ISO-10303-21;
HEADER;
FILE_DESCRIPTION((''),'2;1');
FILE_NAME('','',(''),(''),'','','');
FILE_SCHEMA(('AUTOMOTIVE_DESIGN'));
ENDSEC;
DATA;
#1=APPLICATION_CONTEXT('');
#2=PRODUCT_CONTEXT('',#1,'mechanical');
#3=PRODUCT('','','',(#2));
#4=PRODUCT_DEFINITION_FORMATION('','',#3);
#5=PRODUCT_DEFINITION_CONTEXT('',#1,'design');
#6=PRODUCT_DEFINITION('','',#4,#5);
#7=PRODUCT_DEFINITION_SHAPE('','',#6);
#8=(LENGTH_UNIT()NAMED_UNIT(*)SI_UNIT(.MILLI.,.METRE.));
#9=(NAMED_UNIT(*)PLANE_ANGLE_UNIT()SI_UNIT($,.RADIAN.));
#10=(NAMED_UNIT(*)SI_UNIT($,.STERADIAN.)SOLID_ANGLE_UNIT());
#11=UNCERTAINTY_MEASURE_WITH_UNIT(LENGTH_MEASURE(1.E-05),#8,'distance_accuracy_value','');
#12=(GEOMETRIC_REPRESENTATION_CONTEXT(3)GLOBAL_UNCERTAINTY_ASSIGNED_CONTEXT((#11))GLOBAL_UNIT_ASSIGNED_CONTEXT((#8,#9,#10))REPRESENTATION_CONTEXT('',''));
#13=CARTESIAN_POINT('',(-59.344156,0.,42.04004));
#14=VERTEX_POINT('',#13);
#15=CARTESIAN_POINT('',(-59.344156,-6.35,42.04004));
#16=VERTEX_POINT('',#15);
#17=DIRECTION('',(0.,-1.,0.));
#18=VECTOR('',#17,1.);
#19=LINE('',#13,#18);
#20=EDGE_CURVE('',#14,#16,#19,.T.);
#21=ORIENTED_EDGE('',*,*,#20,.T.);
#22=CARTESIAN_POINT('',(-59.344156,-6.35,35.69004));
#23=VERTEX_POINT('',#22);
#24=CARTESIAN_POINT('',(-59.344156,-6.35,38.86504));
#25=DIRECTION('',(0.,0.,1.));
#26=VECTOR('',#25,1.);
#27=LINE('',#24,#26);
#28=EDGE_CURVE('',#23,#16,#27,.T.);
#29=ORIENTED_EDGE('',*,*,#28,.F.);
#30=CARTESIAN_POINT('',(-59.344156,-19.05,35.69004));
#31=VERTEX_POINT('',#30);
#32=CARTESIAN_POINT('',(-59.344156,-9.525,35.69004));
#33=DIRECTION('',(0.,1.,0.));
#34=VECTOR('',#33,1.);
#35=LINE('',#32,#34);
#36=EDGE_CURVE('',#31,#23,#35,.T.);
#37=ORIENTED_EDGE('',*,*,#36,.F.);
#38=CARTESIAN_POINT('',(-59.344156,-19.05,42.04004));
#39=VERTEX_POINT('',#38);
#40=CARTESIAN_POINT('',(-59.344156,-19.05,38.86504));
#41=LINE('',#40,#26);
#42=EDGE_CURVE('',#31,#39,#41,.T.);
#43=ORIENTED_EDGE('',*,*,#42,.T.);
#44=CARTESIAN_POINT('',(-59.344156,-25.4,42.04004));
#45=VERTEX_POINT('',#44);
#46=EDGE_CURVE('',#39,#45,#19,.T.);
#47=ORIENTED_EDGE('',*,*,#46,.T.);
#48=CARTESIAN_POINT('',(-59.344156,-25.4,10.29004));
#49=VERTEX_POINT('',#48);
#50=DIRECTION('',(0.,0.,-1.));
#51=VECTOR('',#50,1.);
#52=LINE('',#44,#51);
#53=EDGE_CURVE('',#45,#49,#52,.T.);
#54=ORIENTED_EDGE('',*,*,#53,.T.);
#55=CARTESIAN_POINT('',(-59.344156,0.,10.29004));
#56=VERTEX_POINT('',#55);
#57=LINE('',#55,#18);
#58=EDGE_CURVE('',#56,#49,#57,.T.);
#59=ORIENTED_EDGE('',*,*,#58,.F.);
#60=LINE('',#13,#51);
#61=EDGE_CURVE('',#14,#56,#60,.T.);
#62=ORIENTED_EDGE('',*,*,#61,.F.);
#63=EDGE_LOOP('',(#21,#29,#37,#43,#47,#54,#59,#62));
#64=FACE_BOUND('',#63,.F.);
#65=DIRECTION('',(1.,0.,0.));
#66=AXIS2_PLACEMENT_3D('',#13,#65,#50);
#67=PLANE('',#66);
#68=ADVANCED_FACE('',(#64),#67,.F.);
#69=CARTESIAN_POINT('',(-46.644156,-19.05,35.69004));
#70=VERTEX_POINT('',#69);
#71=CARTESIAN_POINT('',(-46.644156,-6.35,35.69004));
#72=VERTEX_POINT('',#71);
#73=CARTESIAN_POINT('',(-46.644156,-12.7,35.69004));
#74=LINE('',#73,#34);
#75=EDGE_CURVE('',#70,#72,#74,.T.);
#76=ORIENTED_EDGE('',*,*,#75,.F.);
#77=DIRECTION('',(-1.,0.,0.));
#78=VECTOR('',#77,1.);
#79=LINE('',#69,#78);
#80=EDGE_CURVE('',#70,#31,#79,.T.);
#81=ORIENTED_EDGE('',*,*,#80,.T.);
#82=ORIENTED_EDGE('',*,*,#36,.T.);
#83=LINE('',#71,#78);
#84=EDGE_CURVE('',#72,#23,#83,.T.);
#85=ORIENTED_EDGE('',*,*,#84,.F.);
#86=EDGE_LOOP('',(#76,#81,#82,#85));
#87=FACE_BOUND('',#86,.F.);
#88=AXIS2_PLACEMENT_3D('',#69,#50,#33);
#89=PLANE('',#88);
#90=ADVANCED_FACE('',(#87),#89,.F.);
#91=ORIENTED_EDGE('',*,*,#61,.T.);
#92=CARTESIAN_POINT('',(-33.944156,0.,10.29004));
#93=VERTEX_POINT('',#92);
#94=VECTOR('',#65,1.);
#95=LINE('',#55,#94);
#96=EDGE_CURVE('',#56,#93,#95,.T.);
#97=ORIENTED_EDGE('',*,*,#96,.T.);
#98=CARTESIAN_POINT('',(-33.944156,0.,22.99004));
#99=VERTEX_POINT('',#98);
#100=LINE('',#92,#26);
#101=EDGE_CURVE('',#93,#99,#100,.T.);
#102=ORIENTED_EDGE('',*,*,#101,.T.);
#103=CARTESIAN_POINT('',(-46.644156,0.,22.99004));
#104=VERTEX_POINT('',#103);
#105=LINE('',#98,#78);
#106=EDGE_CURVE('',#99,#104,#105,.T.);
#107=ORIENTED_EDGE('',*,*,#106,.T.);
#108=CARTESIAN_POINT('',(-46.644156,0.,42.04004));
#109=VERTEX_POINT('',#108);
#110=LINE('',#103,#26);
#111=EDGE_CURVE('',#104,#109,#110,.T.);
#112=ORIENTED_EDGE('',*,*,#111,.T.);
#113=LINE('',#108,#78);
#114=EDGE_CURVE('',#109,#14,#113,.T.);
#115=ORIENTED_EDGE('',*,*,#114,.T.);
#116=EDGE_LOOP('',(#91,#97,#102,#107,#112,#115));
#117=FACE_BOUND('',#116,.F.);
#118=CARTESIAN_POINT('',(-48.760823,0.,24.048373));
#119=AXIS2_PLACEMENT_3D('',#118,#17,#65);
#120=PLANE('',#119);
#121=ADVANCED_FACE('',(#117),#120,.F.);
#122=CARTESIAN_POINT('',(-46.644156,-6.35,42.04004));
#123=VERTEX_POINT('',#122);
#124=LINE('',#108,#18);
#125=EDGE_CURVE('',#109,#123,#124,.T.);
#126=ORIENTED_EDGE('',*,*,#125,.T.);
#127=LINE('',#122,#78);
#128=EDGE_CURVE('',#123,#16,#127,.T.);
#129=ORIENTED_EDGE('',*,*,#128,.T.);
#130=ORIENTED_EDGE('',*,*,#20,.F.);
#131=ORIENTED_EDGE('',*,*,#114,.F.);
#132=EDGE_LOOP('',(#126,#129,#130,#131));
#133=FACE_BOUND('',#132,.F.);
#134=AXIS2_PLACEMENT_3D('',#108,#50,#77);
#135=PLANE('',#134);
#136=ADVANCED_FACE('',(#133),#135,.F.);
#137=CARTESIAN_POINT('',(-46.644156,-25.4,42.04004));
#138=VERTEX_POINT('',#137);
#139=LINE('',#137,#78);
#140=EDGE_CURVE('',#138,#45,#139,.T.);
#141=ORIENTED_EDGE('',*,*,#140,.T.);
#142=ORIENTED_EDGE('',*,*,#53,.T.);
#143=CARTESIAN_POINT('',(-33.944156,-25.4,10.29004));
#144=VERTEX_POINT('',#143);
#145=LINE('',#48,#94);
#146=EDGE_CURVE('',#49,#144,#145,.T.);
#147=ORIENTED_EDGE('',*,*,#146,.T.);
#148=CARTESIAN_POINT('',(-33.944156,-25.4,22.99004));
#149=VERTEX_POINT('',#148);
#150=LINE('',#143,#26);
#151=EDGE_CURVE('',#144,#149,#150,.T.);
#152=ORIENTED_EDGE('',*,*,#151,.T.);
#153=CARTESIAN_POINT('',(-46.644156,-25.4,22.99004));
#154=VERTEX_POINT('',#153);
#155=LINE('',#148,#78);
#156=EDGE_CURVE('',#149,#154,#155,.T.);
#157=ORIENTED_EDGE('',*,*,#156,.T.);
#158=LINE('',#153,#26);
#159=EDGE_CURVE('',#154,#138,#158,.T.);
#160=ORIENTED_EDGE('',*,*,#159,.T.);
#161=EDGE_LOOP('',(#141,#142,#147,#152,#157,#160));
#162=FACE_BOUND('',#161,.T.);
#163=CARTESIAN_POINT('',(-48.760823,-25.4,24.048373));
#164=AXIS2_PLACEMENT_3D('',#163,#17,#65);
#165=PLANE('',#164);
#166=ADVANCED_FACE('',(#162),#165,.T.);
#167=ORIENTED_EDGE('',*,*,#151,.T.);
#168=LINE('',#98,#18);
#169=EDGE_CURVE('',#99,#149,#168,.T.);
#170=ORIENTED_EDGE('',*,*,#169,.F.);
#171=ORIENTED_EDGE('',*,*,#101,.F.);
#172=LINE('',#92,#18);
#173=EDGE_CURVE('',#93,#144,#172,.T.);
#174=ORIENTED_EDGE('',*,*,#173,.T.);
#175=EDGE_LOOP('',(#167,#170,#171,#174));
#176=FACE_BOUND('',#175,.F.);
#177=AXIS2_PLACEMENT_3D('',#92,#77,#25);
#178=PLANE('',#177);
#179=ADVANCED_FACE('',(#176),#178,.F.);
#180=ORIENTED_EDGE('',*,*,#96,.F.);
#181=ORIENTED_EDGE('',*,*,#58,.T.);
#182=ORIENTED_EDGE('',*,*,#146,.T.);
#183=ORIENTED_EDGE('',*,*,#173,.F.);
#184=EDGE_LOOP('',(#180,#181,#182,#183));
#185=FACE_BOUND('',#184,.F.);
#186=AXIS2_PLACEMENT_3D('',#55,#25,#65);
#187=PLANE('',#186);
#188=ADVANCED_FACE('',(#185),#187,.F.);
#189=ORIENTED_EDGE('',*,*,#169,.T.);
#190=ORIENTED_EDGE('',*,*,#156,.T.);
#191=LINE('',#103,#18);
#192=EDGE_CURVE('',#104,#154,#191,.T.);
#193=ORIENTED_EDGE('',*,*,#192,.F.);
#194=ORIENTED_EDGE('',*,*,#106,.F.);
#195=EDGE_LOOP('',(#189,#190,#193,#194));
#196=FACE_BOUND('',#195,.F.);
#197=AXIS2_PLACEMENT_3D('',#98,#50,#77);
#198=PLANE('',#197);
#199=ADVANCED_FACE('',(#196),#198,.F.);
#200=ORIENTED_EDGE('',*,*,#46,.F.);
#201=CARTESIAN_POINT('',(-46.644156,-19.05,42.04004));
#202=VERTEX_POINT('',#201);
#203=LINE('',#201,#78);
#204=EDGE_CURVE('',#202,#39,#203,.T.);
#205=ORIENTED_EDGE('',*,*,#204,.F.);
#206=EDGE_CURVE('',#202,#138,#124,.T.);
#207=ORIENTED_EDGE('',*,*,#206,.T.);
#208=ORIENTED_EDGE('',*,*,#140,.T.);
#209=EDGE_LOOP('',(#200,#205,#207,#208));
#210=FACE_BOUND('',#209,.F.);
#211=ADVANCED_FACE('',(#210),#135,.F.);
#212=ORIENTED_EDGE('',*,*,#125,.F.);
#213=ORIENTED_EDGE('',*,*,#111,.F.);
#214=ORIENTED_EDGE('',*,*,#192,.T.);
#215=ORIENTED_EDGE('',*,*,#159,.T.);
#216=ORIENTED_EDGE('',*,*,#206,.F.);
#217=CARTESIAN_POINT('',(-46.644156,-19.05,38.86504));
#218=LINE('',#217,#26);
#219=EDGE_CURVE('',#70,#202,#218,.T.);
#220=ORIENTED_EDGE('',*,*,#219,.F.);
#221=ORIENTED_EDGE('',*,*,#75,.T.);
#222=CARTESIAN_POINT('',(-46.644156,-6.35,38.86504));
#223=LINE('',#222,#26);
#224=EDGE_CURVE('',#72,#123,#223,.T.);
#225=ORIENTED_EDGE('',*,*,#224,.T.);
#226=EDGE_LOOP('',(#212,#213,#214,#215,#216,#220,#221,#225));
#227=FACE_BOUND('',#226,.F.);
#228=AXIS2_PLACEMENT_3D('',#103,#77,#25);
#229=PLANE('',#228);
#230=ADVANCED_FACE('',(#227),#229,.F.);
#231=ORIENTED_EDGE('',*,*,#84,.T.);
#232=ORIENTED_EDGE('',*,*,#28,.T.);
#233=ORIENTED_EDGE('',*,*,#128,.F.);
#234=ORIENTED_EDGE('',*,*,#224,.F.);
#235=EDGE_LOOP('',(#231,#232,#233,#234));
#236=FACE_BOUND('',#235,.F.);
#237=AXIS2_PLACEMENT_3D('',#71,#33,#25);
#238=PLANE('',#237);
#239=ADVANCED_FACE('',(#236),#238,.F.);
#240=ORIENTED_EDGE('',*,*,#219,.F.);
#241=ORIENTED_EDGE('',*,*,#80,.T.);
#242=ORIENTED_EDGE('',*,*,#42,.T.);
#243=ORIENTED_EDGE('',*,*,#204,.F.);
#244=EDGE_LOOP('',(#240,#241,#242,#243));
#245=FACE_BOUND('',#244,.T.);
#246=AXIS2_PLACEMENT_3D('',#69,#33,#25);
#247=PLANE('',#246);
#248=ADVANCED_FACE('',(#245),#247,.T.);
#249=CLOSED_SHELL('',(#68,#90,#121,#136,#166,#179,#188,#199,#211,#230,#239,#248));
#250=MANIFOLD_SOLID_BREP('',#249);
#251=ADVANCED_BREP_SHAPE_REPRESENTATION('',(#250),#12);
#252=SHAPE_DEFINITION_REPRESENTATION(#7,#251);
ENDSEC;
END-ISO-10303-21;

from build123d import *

# Parameters (mm, degrees)
F1_DEPTH = 25.4
F2_W     = 12.7
F2_H     = 6.35
F3_DEPTH = 25.4


with BuildPart() as f1:
    # F0 (on Front) → F1 (new body)
    with BuildSketch(Plane.XZ):
        Polygon((-46.644156, 42.04004), (-59.344156, 42.04004), (-59.344156, 10.29004), (-33.944156, 10.29004), (-33.944156, 22.99004), (-46.644156, 22.99004), align=None)
    extrude(amount=F1_DEPTH)

    # F2 (on face) → F3 (cut)
    with BuildSketch(Plane.YZ.offset(-46.644156)):
        with Locations((-12.7, 38.86504)):
            Rectangle(F2_W, F2_H)
    extrude(amount=-F3_DEPTH, mode=Mode.SUBTRACT)


solid = f1.part
